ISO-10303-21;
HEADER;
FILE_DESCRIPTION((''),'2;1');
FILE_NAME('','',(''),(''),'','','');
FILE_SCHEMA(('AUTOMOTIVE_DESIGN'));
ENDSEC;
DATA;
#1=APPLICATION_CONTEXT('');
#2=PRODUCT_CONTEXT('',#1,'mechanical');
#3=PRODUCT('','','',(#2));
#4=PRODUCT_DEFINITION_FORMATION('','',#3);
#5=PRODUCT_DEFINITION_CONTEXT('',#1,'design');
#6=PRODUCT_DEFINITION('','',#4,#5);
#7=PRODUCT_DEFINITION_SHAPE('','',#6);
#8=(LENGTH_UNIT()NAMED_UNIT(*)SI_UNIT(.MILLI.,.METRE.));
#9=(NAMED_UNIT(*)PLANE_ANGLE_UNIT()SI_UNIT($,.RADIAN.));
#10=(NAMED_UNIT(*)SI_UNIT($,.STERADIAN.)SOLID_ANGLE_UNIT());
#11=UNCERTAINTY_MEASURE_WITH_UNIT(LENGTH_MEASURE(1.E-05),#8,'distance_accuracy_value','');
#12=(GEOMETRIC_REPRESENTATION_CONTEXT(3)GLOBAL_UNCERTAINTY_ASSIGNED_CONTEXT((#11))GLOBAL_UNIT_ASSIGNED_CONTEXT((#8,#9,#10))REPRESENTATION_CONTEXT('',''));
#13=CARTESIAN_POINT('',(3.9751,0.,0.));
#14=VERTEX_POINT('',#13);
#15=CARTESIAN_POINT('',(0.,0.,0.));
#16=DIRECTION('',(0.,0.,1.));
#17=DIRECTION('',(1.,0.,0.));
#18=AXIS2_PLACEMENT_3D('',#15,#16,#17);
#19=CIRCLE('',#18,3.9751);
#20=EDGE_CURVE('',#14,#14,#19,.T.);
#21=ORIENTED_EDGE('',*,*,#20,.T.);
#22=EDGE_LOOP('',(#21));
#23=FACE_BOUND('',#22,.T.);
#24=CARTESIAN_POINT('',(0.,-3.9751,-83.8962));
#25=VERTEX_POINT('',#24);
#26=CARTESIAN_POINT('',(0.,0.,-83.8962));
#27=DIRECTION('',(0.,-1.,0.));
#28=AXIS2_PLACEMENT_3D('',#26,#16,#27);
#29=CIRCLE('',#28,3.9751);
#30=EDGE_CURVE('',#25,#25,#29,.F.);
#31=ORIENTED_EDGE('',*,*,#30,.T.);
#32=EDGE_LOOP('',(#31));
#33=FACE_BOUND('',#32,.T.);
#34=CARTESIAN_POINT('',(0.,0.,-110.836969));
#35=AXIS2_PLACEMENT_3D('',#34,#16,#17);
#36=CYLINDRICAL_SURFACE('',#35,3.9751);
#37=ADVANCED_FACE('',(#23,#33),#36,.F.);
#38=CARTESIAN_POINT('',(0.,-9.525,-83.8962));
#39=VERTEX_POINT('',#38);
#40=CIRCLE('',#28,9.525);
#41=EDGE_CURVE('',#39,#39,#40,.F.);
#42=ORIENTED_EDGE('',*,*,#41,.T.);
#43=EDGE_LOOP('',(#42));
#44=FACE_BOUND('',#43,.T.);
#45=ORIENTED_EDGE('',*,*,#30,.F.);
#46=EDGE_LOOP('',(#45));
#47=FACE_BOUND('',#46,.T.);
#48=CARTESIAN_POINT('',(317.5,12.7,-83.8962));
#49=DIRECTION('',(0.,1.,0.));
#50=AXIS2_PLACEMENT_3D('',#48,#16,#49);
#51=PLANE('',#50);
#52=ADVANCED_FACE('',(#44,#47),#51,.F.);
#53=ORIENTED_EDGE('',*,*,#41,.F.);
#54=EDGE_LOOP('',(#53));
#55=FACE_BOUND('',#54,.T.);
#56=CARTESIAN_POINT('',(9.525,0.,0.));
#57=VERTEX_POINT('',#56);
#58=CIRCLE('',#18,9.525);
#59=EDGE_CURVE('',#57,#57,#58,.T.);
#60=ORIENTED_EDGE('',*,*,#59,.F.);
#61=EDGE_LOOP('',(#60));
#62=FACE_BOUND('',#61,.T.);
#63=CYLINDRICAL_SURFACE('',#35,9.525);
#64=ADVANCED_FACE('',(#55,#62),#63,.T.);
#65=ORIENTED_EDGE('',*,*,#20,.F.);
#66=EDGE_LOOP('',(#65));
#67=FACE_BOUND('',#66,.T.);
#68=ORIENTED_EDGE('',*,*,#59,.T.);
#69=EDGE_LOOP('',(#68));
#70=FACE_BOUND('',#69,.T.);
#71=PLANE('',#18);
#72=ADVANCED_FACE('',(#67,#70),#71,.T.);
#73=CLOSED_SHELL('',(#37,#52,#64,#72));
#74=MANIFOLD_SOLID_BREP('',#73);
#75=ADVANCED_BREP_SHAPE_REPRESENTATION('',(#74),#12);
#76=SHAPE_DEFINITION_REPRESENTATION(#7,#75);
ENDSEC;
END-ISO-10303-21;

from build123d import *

# Parameters (mm, degrees)
SKETCH1_R           = 9.525
SKETCH1_R_2         = 3.9751
BOSS_EXTRUDE1_DEPTH = 83.896200465


with BuildPart() as part:
    # Sketch1 → Boss-Extrude1 (new body)
    with BuildSketch(Plane.XY):
        Circle(SKETCH1_R)
        Circle(SKETCH1_R_2, mode=Mode.SUBTRACT)
    extrude(amount=-BOSS_EXTRUDE1_DEPTH)


solid = part.part
